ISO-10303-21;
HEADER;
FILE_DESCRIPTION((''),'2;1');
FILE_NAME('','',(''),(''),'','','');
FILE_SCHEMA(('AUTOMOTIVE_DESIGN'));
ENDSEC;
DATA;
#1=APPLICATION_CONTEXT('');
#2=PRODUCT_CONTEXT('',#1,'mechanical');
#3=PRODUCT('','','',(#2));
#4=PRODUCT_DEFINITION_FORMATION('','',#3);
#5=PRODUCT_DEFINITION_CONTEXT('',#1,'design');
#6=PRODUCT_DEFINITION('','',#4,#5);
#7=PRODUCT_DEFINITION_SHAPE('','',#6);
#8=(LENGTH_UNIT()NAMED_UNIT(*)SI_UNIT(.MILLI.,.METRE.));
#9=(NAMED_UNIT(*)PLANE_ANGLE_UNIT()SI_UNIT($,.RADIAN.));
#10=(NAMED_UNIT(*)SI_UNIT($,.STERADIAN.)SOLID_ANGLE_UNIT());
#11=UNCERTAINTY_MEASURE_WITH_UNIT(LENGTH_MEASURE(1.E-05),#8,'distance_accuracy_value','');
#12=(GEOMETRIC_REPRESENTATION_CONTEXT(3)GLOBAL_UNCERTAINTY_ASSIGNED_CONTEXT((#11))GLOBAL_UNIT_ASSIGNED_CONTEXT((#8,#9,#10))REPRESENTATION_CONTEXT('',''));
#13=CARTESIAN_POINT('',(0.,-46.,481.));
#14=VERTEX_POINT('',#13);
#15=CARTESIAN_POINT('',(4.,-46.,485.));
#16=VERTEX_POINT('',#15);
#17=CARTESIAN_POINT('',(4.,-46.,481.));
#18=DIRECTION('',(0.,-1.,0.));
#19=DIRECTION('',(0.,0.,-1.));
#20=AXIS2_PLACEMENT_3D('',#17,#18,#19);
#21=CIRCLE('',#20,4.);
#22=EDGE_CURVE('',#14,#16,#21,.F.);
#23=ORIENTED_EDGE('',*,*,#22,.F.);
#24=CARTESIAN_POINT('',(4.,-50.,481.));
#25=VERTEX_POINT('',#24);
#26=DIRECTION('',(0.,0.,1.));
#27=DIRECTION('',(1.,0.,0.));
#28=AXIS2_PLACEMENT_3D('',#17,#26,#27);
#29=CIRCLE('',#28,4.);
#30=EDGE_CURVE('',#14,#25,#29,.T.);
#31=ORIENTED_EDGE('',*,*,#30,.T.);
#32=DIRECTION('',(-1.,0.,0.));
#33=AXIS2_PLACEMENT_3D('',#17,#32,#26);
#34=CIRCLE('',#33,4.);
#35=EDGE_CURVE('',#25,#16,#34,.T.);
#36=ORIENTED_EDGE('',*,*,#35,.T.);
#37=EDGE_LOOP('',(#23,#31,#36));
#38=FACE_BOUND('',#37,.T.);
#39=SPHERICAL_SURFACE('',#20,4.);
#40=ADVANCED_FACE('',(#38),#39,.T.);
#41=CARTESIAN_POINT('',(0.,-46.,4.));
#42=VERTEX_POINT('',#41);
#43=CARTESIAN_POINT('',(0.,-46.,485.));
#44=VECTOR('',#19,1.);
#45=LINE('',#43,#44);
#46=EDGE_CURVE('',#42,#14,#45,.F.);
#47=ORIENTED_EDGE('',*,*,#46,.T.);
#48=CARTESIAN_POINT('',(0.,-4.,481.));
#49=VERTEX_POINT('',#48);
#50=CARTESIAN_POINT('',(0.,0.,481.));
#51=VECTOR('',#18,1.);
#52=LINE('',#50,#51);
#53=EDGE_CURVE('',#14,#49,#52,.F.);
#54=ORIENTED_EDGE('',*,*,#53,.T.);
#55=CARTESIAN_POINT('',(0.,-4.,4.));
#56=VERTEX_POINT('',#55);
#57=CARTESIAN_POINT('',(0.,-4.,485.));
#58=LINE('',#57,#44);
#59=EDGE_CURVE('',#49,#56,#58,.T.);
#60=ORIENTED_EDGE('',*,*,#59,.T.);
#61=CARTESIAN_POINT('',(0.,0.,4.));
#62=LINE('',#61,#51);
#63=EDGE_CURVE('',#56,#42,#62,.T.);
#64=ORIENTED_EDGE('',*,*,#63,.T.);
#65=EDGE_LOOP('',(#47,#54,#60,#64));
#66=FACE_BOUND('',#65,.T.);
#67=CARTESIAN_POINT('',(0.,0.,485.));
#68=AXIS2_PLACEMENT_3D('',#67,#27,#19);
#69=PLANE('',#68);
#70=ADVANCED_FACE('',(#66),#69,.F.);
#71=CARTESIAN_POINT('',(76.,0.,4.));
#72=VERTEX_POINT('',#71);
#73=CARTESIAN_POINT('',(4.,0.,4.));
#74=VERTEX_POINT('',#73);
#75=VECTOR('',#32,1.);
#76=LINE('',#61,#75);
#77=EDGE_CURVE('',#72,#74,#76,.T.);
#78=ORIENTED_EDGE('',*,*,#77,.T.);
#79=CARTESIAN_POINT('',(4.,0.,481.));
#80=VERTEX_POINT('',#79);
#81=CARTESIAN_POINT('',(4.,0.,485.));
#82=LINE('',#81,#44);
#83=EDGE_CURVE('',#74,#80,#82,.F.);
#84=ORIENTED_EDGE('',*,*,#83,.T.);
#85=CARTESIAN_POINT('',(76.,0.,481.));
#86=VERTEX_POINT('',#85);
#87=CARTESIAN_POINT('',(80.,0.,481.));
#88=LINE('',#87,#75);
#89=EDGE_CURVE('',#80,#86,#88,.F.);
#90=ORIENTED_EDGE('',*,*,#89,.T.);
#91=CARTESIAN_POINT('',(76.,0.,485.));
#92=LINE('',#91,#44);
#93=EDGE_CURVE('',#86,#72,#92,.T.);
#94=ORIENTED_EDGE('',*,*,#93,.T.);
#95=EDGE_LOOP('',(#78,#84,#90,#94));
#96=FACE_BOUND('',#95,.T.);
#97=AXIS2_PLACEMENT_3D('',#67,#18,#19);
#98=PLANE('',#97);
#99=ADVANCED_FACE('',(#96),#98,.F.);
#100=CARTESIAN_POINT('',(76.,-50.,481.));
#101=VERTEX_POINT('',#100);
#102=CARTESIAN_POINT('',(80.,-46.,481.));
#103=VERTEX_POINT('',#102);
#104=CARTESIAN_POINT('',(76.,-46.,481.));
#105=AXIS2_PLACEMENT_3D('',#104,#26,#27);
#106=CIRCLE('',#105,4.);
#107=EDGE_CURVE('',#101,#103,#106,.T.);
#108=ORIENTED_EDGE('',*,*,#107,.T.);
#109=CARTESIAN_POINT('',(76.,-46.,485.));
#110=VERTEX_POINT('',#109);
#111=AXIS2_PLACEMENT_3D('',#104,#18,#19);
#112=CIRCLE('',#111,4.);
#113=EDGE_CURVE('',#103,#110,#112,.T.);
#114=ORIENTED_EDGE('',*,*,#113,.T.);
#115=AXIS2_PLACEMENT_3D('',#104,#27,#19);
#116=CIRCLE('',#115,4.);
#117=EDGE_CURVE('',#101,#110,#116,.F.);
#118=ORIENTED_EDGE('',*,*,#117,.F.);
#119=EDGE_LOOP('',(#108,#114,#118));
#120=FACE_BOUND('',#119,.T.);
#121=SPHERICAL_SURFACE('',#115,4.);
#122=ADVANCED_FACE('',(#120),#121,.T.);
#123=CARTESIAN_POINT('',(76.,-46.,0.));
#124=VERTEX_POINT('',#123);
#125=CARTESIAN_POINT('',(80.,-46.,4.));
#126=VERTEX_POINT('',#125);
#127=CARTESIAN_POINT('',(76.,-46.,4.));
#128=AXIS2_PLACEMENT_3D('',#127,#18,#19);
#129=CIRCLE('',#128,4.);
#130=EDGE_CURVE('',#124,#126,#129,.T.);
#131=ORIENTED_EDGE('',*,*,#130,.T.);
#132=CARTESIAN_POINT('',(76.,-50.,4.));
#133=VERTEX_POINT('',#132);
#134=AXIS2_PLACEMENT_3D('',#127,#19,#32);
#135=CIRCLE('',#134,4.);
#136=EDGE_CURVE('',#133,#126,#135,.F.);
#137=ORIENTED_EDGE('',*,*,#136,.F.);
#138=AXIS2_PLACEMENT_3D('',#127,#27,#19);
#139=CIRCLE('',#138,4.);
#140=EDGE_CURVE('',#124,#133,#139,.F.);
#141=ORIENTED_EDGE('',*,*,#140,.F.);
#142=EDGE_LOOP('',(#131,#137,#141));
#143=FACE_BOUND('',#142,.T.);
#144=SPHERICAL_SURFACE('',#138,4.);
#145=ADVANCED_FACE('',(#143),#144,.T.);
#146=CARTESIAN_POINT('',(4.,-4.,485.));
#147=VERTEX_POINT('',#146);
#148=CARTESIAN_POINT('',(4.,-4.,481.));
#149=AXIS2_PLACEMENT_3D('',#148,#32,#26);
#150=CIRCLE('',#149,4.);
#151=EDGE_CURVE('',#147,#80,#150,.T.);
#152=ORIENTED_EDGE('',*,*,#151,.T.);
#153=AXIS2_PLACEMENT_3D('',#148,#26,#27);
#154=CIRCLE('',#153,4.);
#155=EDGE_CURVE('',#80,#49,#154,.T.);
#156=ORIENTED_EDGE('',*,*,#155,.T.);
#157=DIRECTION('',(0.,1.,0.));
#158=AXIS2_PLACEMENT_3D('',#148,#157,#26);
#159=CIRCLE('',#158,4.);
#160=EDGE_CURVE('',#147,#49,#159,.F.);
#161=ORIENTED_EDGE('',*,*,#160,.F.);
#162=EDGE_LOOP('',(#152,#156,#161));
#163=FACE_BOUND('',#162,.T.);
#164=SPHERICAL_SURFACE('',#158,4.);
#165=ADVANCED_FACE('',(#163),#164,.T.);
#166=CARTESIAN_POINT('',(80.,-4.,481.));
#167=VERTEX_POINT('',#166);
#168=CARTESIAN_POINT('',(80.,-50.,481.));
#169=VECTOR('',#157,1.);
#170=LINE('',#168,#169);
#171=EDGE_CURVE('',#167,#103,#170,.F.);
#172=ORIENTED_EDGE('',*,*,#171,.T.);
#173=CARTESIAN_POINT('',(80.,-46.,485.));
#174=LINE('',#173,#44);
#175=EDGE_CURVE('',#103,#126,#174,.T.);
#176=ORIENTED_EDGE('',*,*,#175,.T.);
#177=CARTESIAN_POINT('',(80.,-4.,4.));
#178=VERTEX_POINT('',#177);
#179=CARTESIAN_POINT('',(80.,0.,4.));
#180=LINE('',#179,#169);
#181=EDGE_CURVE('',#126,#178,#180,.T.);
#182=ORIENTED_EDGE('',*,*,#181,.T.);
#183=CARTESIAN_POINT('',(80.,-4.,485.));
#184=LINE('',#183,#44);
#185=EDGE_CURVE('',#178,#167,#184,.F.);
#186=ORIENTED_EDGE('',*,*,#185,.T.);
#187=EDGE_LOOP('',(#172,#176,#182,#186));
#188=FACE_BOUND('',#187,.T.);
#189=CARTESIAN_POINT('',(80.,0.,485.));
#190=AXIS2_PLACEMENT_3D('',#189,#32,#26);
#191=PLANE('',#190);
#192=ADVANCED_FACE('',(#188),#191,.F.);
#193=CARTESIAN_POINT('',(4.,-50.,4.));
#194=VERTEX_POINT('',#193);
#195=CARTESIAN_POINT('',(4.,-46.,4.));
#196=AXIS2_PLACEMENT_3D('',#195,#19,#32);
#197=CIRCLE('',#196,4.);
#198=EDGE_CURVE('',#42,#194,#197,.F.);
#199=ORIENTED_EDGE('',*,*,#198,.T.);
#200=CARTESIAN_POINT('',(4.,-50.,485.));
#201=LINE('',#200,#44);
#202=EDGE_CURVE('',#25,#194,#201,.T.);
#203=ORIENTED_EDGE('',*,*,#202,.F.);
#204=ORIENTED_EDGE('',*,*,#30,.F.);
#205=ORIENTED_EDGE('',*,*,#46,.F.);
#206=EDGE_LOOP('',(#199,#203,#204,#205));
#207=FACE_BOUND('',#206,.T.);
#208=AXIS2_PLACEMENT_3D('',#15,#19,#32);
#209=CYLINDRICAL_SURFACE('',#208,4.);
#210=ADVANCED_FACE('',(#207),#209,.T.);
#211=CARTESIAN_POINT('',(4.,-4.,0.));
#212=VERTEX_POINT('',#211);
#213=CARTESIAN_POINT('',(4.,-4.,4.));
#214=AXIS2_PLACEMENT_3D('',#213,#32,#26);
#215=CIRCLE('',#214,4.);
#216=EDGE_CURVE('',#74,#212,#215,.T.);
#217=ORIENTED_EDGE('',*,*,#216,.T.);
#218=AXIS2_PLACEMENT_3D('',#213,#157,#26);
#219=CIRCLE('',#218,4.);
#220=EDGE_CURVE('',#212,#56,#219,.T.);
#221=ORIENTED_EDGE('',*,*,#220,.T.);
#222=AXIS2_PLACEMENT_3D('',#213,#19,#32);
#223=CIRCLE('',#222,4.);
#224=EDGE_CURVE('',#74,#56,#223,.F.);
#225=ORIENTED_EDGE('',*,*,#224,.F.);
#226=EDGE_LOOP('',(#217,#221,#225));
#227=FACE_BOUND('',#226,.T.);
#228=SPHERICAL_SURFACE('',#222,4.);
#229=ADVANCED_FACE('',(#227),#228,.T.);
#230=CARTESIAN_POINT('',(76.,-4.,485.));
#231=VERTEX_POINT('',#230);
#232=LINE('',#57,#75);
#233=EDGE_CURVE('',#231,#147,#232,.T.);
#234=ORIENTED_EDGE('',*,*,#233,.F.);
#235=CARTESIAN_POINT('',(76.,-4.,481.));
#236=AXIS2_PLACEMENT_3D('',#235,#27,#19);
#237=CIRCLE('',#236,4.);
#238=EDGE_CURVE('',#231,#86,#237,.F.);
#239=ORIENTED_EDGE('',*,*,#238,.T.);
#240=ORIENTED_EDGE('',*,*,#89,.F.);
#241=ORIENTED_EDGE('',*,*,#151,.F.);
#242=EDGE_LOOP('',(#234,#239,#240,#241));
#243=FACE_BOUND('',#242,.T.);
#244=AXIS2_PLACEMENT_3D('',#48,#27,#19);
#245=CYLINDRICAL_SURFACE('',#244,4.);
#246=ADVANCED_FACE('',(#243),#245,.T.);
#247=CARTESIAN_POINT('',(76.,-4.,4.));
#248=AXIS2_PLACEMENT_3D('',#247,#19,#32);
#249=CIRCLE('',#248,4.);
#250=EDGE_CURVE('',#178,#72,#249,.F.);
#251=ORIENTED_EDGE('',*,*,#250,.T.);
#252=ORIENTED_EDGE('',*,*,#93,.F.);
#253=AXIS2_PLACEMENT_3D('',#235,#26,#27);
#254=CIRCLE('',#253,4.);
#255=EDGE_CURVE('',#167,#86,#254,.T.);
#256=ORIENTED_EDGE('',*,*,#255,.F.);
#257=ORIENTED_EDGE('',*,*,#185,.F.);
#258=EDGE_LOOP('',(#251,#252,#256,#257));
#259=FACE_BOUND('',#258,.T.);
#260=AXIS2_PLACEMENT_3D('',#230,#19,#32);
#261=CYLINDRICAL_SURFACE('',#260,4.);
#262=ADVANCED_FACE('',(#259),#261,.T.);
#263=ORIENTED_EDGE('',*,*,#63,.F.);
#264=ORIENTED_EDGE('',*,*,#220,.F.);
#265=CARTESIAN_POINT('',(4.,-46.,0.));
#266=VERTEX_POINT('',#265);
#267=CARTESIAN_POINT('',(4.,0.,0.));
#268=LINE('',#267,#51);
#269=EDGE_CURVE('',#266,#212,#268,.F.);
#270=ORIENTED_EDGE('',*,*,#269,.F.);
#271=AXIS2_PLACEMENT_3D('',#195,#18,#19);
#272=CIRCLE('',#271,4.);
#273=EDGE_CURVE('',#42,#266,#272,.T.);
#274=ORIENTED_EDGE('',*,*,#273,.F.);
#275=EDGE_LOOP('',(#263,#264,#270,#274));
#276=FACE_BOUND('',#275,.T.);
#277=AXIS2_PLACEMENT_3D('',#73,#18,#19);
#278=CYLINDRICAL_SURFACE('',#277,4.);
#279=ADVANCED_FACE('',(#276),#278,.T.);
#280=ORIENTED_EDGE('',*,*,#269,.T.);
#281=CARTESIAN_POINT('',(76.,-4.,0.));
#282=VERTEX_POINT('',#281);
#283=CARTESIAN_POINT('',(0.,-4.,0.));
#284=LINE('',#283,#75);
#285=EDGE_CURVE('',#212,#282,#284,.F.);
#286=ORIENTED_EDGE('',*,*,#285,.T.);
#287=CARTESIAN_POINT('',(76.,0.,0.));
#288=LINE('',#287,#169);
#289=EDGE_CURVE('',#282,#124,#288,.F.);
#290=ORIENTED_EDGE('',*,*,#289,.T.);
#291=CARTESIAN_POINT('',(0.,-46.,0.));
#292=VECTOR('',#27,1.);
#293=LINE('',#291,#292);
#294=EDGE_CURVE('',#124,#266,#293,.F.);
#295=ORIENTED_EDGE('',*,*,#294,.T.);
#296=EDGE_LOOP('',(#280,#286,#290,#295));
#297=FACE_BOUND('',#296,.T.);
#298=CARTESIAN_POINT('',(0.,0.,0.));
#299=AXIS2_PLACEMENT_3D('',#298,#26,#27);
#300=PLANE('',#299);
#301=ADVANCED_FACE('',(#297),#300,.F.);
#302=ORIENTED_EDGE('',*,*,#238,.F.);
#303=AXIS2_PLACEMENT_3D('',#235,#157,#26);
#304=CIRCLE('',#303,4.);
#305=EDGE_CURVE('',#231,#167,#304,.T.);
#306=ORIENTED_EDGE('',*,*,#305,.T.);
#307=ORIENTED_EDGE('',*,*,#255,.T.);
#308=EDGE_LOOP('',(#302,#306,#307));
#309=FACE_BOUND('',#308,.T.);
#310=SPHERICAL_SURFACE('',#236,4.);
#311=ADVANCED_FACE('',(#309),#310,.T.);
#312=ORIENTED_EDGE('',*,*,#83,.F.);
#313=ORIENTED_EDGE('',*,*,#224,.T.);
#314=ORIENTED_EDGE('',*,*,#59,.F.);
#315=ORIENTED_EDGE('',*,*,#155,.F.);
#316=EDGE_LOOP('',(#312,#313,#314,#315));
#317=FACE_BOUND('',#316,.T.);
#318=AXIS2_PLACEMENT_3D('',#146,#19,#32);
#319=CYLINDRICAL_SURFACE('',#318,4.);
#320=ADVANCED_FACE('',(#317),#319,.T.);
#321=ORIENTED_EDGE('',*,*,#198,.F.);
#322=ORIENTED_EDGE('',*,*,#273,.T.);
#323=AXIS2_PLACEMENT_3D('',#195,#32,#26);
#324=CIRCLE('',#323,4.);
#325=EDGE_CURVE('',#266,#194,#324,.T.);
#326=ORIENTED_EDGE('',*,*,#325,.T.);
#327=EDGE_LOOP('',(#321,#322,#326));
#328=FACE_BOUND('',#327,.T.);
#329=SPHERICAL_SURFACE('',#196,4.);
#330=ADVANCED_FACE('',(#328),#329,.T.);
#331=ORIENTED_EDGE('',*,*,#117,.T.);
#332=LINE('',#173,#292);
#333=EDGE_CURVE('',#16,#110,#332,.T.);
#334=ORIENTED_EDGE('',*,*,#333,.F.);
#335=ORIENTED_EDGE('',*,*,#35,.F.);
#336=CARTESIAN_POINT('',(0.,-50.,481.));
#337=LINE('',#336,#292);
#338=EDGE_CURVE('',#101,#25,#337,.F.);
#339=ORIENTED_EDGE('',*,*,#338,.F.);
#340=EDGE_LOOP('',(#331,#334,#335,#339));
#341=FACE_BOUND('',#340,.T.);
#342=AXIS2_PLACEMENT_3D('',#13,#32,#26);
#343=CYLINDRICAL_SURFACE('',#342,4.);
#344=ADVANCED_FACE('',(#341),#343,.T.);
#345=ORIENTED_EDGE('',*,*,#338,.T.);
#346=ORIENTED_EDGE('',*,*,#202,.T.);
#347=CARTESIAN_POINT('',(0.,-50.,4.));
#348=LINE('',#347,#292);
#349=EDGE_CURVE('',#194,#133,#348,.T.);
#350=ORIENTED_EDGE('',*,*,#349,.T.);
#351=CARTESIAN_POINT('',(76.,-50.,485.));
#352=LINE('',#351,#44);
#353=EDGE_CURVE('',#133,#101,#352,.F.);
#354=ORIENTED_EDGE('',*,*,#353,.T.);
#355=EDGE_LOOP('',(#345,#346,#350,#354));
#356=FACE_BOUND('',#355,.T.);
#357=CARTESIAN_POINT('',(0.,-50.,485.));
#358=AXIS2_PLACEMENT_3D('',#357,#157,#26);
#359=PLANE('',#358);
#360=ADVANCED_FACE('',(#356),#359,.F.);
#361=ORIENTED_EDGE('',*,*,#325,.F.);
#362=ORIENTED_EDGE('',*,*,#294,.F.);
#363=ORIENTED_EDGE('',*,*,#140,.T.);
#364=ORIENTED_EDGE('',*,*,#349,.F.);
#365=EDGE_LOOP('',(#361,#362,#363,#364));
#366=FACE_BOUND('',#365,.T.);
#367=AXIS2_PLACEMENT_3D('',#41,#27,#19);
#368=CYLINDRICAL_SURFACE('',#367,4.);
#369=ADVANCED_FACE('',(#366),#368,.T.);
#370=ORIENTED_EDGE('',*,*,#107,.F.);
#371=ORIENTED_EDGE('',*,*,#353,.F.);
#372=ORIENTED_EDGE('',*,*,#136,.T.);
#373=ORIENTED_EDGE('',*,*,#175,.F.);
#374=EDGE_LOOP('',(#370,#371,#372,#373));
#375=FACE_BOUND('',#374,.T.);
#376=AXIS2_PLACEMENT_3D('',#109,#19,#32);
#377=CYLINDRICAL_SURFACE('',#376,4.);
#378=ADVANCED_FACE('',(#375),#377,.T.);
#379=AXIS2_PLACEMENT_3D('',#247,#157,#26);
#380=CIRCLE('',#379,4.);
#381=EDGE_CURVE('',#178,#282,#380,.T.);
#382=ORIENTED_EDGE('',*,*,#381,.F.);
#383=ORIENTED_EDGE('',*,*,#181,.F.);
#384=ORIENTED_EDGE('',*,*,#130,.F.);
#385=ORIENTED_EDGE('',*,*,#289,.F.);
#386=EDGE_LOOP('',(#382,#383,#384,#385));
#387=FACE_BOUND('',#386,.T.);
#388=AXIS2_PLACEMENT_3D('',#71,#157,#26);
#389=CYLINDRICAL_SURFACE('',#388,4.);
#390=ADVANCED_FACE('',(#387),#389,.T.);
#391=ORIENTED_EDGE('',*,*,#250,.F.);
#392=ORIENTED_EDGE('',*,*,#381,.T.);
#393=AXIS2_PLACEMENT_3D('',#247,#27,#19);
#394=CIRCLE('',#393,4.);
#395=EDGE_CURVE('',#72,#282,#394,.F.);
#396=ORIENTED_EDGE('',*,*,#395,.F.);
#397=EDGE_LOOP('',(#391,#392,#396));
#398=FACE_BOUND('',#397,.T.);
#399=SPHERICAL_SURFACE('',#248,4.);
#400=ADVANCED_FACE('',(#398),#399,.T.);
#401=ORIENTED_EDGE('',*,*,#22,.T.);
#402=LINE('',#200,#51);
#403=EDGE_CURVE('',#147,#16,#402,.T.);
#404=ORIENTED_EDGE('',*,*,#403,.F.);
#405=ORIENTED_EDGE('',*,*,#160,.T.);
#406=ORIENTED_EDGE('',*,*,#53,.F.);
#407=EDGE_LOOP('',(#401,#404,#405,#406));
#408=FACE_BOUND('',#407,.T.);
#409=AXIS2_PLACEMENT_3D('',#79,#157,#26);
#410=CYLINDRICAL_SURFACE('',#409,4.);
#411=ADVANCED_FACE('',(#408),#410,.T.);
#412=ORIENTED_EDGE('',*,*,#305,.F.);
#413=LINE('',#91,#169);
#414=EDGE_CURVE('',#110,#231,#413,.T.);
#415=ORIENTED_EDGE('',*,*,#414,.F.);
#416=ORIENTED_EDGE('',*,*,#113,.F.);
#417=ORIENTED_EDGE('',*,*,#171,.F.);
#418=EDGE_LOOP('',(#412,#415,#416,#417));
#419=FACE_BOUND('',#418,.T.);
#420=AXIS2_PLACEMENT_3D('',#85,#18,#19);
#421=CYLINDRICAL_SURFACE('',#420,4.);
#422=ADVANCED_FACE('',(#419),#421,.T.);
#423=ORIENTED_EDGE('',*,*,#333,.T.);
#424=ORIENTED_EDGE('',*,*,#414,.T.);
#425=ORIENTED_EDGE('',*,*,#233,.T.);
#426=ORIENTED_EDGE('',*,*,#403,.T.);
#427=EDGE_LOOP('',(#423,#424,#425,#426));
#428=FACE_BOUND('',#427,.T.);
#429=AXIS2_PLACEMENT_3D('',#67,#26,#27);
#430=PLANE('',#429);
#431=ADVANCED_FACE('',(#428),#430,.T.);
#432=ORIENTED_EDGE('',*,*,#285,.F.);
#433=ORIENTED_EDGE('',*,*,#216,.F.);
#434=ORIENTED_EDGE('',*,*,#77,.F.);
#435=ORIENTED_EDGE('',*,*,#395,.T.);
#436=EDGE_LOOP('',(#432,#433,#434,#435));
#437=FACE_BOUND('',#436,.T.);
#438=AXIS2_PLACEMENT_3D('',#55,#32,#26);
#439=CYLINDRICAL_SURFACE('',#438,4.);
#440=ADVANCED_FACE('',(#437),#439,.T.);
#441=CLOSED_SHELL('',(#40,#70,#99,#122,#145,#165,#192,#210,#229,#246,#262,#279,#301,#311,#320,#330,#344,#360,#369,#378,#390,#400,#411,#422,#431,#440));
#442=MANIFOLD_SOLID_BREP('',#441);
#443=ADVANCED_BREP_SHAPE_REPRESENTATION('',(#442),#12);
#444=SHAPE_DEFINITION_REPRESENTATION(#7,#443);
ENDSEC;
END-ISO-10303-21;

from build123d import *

# Parameters (mm, degrees)
SKETCH1_W           = 80
SKETCH1_H           = 50
BOSS_EXTRUDE1_DEPTH = 485
FILLET1_R           = 4


with BuildPart() as part:
    # Sketch1 → Boss-Extrude1 (new body)
    with BuildSketch(Plane.XY):
        with Locations((40, -25)):
            Rectangle(SKETCH1_W, SKETCH1_H)
    extrude(amount=BOSS_EXTRUDE1_DEPTH)

    # Fillet1
    fillet1_edges = [part.edges().sort_by_distance(p)[0] for p in [
        (80, -25, 485),
        (40, 0, 485),
        (0, -25, 485),
        (40, 0, 0),
        (80, -25, 0),
        (40, -50, 0),
        (0, -25, 0),
        (0, 0, 242.5),
        (80, 0, 242.5),
        (80, -50, 242.5),
        (0, -50, 242.5),
        (40, -50, 485),
    ]]
    fillet(fillet1_edges, radius=FILLET1_R)


solid = part.part
